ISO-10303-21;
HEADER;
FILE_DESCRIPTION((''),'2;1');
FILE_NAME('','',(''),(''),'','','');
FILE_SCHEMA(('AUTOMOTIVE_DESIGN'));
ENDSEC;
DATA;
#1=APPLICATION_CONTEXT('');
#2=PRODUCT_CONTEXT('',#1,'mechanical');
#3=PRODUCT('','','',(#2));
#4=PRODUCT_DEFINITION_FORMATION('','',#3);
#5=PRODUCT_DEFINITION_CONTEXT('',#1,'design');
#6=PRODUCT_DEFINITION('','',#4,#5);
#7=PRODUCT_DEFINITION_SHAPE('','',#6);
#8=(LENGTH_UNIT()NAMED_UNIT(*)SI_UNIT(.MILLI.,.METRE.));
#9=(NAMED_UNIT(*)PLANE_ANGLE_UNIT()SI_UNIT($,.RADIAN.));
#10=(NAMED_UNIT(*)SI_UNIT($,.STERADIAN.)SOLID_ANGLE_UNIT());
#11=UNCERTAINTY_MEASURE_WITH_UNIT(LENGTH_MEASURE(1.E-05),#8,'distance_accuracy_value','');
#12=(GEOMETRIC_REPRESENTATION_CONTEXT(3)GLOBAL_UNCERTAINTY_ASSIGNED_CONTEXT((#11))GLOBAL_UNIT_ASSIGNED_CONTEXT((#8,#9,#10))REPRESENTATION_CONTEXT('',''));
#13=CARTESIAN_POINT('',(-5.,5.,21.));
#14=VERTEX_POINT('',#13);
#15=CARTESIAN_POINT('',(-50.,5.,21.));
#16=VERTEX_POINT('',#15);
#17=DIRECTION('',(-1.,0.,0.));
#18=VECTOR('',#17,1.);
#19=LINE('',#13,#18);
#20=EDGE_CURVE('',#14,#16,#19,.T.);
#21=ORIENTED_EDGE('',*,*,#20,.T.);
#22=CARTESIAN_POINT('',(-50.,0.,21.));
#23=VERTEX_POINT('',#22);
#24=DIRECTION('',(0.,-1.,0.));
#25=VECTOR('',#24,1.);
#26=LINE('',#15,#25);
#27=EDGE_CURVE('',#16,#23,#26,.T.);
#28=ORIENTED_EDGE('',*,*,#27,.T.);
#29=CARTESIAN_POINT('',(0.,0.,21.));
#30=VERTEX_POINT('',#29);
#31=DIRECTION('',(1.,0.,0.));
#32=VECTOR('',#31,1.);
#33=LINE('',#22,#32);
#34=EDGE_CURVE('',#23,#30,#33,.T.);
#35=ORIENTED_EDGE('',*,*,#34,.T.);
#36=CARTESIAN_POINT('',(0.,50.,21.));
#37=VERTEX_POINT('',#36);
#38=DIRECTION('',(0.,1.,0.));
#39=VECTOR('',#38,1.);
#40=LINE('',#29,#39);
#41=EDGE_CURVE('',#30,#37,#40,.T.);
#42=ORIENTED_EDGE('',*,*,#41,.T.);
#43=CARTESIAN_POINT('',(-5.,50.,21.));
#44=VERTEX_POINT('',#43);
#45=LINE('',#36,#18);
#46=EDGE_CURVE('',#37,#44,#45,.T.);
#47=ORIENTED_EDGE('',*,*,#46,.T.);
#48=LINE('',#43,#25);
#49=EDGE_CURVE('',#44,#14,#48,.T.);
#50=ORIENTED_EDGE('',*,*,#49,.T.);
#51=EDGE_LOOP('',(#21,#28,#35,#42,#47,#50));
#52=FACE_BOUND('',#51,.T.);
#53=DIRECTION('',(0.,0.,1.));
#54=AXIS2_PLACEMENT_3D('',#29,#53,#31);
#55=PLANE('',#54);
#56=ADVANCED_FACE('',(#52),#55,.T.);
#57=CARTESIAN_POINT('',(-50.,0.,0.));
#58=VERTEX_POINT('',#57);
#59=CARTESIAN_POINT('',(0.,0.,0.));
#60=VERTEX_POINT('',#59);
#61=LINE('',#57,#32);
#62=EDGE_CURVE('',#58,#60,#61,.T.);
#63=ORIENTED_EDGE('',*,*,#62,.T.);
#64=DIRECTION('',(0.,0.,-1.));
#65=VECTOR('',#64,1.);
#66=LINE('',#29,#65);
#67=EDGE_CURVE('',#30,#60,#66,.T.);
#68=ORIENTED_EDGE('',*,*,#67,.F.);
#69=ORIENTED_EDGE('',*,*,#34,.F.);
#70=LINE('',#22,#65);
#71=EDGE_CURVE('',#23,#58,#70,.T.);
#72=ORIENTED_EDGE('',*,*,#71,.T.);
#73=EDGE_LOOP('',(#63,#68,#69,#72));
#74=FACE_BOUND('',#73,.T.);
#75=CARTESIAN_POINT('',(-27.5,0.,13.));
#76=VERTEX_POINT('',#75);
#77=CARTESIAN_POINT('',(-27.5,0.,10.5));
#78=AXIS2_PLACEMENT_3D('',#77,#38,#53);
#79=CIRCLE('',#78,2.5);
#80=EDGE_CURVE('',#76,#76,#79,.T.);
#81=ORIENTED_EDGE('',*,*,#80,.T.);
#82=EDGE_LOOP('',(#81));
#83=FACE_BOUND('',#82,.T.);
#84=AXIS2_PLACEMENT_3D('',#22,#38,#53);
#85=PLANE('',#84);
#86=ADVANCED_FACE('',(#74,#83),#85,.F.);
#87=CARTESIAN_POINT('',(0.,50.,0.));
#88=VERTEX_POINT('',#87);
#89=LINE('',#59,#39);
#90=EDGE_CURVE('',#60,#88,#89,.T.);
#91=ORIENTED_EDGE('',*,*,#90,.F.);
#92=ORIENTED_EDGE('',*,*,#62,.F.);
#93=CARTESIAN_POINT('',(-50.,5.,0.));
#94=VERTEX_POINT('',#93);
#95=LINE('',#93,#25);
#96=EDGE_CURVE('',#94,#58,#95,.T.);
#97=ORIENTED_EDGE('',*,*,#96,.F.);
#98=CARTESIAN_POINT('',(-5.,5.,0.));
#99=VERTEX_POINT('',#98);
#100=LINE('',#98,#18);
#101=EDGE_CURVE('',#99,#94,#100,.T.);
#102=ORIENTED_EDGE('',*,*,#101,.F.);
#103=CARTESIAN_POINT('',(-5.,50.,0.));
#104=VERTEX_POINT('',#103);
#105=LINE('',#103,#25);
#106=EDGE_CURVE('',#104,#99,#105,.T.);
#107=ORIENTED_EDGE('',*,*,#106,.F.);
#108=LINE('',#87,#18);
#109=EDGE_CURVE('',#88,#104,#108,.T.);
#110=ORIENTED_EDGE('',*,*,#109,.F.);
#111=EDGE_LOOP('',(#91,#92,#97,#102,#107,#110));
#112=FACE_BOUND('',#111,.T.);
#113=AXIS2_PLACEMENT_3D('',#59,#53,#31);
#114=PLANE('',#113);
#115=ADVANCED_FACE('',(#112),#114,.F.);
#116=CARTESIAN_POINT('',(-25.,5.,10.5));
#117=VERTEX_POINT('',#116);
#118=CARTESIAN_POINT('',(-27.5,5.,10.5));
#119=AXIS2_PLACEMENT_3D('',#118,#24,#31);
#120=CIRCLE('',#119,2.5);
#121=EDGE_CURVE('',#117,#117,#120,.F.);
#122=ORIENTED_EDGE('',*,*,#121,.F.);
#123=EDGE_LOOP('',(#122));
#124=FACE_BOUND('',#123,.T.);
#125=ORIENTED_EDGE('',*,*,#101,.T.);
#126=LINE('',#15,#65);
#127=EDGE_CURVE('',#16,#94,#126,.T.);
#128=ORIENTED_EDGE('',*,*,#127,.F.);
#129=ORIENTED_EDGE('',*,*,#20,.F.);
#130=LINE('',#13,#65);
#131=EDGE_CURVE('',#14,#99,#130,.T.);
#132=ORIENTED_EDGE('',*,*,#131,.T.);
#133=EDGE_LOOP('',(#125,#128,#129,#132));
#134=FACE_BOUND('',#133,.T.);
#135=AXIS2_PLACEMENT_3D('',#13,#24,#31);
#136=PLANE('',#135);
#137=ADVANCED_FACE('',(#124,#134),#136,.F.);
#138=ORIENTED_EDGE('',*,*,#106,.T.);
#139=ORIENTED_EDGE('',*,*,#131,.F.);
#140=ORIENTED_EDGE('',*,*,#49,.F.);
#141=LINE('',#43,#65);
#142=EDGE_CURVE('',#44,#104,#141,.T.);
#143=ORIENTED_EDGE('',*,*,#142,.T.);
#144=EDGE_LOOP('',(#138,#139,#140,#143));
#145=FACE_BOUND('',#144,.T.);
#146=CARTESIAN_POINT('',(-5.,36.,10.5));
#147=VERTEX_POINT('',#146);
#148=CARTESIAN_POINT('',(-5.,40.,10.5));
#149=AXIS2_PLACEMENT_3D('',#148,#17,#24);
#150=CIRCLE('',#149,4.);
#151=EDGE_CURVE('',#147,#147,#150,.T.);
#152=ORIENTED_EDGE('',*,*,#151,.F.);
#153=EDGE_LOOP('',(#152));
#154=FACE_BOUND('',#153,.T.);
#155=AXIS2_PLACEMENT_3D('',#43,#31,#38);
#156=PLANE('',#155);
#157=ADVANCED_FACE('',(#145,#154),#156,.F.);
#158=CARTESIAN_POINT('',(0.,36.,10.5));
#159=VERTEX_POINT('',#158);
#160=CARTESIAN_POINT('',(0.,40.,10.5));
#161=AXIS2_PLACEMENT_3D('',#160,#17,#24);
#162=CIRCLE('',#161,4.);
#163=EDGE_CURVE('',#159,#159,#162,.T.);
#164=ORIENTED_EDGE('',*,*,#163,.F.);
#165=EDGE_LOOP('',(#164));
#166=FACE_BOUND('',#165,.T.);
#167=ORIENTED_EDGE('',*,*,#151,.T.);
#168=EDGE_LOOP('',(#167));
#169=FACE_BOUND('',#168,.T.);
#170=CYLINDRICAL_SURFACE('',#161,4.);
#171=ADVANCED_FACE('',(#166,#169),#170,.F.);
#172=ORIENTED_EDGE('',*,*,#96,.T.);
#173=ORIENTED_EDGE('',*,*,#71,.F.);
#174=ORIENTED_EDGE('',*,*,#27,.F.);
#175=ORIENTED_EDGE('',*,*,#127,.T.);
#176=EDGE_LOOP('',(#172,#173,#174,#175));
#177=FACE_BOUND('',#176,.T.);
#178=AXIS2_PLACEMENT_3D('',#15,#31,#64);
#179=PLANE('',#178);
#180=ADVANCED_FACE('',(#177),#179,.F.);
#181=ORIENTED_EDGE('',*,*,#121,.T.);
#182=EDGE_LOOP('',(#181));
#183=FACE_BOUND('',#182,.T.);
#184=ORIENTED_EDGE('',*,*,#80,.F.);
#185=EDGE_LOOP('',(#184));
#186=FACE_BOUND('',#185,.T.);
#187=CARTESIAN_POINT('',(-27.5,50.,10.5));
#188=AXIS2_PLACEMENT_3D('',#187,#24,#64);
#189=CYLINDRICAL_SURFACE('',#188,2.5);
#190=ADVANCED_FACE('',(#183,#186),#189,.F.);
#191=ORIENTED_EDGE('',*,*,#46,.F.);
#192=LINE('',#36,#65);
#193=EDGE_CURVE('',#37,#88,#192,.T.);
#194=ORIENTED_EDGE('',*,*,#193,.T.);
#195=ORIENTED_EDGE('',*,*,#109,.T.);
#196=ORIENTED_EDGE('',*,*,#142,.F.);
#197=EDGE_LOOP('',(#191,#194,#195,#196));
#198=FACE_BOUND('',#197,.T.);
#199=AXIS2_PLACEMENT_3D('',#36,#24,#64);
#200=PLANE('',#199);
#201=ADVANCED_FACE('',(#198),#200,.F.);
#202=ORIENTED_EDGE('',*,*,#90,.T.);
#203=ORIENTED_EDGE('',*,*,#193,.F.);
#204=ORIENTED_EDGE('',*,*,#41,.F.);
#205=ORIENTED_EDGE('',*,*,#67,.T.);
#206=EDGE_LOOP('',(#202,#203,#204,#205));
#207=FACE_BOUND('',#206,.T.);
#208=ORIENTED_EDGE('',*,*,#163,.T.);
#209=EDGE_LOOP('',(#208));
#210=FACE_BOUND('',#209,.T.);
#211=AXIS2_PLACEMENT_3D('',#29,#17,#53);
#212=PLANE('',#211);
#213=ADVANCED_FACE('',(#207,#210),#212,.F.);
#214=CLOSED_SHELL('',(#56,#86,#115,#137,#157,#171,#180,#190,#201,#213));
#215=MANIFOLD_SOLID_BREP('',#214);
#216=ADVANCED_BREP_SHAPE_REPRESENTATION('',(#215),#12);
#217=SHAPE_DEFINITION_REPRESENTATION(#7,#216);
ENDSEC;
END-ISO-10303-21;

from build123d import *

# Parameters (mm, degrees)
BOSS_EXTRUDE1_DEPTH = 21
SKETCH3_R           = 4
CUT_EXTRUDE1_DEPTH  = 71.46985171
SKETCH4_R           = 2.5
CUT_EXTRUDE2_DEPTH  = 74.763134424


with BuildPart() as part:
    # Sketch2 → Boss-Extrude1 (new body)
    with BuildSketch(Plane.XY):
        Polygon((0, 0), (0, 50), (-5, 50), (-5, 5), (-50, 5), (-50, 0), align=None)
    extrude(amount=BOSS_EXTRUDE1_DEPTH)

    # Sketch3 → Cut-Extrude1 (cut, through all)
    with BuildSketch(Plane.ZY.offset(5)):
        with Locations(Location((10.5, 40, 0), (0, 0, 270))):
            Circle(SKETCH3_R)
    extrude(amount=-CUT_EXTRUDE1_DEPTH, mode=Mode.SUBTRACT)

    # Sketch4 → Cut-Extrude2 (cut, through all)
    with BuildSketch(Plane(origin=(0, 0, 0), x_dir=(1, 0, 0), z_dir=(0, 1, 0))):
        with Locations((-27.5, -10.5)):
            Circle(SKETCH4_R)
    extrude(amount=CUT_EXTRUDE2_DEPTH, mode=Mode.SUBTRACT)


solid = part.part
